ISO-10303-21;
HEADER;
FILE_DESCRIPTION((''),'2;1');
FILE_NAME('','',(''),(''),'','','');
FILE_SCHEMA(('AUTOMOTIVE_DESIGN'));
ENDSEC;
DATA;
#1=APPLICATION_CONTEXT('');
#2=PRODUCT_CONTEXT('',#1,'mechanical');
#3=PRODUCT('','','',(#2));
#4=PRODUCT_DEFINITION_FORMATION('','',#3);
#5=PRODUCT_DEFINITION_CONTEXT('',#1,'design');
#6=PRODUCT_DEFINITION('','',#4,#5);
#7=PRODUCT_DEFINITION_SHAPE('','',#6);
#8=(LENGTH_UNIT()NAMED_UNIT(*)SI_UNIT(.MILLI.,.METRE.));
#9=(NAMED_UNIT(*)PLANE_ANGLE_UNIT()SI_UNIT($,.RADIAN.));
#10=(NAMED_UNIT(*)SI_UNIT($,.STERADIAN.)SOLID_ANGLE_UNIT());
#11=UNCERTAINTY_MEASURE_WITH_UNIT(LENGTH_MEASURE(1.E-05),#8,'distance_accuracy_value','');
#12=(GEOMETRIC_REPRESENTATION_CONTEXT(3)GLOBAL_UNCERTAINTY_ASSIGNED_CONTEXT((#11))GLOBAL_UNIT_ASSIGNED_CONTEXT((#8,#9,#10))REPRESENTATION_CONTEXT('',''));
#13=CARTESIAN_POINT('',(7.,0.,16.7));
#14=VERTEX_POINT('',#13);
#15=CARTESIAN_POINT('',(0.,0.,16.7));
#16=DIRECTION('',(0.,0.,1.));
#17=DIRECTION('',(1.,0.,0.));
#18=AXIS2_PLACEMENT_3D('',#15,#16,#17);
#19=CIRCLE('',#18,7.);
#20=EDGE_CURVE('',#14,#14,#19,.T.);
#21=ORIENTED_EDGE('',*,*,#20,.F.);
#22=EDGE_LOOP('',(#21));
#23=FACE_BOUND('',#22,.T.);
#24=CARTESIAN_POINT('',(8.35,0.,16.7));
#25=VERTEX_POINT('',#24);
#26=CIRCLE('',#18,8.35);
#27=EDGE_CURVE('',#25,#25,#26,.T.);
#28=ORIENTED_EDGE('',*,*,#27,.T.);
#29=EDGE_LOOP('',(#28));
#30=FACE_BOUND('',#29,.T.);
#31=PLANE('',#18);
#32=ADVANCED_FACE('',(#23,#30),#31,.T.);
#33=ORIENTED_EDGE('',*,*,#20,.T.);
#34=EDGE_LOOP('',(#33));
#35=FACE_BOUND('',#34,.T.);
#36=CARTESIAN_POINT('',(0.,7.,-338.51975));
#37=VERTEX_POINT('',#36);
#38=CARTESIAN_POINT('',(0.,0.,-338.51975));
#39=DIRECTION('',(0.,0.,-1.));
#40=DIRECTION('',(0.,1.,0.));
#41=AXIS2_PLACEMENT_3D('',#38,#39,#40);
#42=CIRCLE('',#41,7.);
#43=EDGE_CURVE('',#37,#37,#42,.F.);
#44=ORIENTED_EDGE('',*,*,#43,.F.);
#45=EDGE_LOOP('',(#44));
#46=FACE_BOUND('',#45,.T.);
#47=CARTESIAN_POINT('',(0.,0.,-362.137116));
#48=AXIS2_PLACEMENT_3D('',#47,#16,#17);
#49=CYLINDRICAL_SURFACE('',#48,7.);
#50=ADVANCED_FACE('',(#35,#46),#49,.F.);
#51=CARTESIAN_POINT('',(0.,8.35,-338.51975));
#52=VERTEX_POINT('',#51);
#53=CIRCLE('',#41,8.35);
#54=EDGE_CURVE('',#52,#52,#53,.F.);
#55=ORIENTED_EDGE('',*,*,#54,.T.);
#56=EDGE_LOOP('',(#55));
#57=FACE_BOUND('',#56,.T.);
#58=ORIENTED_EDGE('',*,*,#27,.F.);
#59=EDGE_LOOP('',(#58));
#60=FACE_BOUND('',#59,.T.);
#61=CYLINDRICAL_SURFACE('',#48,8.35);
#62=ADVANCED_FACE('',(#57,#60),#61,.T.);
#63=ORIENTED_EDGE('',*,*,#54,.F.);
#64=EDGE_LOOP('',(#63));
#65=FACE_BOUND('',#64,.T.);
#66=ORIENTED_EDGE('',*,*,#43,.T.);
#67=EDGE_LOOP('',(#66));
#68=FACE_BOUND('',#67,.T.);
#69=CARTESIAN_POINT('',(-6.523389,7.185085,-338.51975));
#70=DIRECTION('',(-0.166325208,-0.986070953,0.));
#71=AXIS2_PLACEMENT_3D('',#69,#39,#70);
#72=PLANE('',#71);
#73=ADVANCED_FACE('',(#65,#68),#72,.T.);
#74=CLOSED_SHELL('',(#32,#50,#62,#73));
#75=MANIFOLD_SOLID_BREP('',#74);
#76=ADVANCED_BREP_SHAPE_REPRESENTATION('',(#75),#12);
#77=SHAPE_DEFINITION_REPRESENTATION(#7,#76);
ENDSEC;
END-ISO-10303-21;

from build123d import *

# Parameters (mm, degrees)
SZKIC1_R                         = 8.35
SZKIC1_R_2                       = 7
DODANIE_WYCI_GNI_CIE1_DEPTH      = 16.7
DODANIE_WYCI_GNI_CIE1_DEPTH_BACK = 338.51975


with BuildPart() as part:
    # Szkic1 → Dodanie-wyciągnięcie1 (new body, two sides)
    with BuildSketch(Plane.XY) as dodanie_wyci_gni_cie1_sk:
        Circle(SZKIC1_R)
        Circle(SZKIC1_R_2, mode=Mode.SUBTRACT)
    extrude(amount=DODANIE_WYCI_GNI_CIE1_DEPTH)
    extrude(dodanie_wyci_gni_cie1_sk.sketch, amount=-DODANIE_WYCI_GNI_CIE1_DEPTH_BACK)


solid = part.part
